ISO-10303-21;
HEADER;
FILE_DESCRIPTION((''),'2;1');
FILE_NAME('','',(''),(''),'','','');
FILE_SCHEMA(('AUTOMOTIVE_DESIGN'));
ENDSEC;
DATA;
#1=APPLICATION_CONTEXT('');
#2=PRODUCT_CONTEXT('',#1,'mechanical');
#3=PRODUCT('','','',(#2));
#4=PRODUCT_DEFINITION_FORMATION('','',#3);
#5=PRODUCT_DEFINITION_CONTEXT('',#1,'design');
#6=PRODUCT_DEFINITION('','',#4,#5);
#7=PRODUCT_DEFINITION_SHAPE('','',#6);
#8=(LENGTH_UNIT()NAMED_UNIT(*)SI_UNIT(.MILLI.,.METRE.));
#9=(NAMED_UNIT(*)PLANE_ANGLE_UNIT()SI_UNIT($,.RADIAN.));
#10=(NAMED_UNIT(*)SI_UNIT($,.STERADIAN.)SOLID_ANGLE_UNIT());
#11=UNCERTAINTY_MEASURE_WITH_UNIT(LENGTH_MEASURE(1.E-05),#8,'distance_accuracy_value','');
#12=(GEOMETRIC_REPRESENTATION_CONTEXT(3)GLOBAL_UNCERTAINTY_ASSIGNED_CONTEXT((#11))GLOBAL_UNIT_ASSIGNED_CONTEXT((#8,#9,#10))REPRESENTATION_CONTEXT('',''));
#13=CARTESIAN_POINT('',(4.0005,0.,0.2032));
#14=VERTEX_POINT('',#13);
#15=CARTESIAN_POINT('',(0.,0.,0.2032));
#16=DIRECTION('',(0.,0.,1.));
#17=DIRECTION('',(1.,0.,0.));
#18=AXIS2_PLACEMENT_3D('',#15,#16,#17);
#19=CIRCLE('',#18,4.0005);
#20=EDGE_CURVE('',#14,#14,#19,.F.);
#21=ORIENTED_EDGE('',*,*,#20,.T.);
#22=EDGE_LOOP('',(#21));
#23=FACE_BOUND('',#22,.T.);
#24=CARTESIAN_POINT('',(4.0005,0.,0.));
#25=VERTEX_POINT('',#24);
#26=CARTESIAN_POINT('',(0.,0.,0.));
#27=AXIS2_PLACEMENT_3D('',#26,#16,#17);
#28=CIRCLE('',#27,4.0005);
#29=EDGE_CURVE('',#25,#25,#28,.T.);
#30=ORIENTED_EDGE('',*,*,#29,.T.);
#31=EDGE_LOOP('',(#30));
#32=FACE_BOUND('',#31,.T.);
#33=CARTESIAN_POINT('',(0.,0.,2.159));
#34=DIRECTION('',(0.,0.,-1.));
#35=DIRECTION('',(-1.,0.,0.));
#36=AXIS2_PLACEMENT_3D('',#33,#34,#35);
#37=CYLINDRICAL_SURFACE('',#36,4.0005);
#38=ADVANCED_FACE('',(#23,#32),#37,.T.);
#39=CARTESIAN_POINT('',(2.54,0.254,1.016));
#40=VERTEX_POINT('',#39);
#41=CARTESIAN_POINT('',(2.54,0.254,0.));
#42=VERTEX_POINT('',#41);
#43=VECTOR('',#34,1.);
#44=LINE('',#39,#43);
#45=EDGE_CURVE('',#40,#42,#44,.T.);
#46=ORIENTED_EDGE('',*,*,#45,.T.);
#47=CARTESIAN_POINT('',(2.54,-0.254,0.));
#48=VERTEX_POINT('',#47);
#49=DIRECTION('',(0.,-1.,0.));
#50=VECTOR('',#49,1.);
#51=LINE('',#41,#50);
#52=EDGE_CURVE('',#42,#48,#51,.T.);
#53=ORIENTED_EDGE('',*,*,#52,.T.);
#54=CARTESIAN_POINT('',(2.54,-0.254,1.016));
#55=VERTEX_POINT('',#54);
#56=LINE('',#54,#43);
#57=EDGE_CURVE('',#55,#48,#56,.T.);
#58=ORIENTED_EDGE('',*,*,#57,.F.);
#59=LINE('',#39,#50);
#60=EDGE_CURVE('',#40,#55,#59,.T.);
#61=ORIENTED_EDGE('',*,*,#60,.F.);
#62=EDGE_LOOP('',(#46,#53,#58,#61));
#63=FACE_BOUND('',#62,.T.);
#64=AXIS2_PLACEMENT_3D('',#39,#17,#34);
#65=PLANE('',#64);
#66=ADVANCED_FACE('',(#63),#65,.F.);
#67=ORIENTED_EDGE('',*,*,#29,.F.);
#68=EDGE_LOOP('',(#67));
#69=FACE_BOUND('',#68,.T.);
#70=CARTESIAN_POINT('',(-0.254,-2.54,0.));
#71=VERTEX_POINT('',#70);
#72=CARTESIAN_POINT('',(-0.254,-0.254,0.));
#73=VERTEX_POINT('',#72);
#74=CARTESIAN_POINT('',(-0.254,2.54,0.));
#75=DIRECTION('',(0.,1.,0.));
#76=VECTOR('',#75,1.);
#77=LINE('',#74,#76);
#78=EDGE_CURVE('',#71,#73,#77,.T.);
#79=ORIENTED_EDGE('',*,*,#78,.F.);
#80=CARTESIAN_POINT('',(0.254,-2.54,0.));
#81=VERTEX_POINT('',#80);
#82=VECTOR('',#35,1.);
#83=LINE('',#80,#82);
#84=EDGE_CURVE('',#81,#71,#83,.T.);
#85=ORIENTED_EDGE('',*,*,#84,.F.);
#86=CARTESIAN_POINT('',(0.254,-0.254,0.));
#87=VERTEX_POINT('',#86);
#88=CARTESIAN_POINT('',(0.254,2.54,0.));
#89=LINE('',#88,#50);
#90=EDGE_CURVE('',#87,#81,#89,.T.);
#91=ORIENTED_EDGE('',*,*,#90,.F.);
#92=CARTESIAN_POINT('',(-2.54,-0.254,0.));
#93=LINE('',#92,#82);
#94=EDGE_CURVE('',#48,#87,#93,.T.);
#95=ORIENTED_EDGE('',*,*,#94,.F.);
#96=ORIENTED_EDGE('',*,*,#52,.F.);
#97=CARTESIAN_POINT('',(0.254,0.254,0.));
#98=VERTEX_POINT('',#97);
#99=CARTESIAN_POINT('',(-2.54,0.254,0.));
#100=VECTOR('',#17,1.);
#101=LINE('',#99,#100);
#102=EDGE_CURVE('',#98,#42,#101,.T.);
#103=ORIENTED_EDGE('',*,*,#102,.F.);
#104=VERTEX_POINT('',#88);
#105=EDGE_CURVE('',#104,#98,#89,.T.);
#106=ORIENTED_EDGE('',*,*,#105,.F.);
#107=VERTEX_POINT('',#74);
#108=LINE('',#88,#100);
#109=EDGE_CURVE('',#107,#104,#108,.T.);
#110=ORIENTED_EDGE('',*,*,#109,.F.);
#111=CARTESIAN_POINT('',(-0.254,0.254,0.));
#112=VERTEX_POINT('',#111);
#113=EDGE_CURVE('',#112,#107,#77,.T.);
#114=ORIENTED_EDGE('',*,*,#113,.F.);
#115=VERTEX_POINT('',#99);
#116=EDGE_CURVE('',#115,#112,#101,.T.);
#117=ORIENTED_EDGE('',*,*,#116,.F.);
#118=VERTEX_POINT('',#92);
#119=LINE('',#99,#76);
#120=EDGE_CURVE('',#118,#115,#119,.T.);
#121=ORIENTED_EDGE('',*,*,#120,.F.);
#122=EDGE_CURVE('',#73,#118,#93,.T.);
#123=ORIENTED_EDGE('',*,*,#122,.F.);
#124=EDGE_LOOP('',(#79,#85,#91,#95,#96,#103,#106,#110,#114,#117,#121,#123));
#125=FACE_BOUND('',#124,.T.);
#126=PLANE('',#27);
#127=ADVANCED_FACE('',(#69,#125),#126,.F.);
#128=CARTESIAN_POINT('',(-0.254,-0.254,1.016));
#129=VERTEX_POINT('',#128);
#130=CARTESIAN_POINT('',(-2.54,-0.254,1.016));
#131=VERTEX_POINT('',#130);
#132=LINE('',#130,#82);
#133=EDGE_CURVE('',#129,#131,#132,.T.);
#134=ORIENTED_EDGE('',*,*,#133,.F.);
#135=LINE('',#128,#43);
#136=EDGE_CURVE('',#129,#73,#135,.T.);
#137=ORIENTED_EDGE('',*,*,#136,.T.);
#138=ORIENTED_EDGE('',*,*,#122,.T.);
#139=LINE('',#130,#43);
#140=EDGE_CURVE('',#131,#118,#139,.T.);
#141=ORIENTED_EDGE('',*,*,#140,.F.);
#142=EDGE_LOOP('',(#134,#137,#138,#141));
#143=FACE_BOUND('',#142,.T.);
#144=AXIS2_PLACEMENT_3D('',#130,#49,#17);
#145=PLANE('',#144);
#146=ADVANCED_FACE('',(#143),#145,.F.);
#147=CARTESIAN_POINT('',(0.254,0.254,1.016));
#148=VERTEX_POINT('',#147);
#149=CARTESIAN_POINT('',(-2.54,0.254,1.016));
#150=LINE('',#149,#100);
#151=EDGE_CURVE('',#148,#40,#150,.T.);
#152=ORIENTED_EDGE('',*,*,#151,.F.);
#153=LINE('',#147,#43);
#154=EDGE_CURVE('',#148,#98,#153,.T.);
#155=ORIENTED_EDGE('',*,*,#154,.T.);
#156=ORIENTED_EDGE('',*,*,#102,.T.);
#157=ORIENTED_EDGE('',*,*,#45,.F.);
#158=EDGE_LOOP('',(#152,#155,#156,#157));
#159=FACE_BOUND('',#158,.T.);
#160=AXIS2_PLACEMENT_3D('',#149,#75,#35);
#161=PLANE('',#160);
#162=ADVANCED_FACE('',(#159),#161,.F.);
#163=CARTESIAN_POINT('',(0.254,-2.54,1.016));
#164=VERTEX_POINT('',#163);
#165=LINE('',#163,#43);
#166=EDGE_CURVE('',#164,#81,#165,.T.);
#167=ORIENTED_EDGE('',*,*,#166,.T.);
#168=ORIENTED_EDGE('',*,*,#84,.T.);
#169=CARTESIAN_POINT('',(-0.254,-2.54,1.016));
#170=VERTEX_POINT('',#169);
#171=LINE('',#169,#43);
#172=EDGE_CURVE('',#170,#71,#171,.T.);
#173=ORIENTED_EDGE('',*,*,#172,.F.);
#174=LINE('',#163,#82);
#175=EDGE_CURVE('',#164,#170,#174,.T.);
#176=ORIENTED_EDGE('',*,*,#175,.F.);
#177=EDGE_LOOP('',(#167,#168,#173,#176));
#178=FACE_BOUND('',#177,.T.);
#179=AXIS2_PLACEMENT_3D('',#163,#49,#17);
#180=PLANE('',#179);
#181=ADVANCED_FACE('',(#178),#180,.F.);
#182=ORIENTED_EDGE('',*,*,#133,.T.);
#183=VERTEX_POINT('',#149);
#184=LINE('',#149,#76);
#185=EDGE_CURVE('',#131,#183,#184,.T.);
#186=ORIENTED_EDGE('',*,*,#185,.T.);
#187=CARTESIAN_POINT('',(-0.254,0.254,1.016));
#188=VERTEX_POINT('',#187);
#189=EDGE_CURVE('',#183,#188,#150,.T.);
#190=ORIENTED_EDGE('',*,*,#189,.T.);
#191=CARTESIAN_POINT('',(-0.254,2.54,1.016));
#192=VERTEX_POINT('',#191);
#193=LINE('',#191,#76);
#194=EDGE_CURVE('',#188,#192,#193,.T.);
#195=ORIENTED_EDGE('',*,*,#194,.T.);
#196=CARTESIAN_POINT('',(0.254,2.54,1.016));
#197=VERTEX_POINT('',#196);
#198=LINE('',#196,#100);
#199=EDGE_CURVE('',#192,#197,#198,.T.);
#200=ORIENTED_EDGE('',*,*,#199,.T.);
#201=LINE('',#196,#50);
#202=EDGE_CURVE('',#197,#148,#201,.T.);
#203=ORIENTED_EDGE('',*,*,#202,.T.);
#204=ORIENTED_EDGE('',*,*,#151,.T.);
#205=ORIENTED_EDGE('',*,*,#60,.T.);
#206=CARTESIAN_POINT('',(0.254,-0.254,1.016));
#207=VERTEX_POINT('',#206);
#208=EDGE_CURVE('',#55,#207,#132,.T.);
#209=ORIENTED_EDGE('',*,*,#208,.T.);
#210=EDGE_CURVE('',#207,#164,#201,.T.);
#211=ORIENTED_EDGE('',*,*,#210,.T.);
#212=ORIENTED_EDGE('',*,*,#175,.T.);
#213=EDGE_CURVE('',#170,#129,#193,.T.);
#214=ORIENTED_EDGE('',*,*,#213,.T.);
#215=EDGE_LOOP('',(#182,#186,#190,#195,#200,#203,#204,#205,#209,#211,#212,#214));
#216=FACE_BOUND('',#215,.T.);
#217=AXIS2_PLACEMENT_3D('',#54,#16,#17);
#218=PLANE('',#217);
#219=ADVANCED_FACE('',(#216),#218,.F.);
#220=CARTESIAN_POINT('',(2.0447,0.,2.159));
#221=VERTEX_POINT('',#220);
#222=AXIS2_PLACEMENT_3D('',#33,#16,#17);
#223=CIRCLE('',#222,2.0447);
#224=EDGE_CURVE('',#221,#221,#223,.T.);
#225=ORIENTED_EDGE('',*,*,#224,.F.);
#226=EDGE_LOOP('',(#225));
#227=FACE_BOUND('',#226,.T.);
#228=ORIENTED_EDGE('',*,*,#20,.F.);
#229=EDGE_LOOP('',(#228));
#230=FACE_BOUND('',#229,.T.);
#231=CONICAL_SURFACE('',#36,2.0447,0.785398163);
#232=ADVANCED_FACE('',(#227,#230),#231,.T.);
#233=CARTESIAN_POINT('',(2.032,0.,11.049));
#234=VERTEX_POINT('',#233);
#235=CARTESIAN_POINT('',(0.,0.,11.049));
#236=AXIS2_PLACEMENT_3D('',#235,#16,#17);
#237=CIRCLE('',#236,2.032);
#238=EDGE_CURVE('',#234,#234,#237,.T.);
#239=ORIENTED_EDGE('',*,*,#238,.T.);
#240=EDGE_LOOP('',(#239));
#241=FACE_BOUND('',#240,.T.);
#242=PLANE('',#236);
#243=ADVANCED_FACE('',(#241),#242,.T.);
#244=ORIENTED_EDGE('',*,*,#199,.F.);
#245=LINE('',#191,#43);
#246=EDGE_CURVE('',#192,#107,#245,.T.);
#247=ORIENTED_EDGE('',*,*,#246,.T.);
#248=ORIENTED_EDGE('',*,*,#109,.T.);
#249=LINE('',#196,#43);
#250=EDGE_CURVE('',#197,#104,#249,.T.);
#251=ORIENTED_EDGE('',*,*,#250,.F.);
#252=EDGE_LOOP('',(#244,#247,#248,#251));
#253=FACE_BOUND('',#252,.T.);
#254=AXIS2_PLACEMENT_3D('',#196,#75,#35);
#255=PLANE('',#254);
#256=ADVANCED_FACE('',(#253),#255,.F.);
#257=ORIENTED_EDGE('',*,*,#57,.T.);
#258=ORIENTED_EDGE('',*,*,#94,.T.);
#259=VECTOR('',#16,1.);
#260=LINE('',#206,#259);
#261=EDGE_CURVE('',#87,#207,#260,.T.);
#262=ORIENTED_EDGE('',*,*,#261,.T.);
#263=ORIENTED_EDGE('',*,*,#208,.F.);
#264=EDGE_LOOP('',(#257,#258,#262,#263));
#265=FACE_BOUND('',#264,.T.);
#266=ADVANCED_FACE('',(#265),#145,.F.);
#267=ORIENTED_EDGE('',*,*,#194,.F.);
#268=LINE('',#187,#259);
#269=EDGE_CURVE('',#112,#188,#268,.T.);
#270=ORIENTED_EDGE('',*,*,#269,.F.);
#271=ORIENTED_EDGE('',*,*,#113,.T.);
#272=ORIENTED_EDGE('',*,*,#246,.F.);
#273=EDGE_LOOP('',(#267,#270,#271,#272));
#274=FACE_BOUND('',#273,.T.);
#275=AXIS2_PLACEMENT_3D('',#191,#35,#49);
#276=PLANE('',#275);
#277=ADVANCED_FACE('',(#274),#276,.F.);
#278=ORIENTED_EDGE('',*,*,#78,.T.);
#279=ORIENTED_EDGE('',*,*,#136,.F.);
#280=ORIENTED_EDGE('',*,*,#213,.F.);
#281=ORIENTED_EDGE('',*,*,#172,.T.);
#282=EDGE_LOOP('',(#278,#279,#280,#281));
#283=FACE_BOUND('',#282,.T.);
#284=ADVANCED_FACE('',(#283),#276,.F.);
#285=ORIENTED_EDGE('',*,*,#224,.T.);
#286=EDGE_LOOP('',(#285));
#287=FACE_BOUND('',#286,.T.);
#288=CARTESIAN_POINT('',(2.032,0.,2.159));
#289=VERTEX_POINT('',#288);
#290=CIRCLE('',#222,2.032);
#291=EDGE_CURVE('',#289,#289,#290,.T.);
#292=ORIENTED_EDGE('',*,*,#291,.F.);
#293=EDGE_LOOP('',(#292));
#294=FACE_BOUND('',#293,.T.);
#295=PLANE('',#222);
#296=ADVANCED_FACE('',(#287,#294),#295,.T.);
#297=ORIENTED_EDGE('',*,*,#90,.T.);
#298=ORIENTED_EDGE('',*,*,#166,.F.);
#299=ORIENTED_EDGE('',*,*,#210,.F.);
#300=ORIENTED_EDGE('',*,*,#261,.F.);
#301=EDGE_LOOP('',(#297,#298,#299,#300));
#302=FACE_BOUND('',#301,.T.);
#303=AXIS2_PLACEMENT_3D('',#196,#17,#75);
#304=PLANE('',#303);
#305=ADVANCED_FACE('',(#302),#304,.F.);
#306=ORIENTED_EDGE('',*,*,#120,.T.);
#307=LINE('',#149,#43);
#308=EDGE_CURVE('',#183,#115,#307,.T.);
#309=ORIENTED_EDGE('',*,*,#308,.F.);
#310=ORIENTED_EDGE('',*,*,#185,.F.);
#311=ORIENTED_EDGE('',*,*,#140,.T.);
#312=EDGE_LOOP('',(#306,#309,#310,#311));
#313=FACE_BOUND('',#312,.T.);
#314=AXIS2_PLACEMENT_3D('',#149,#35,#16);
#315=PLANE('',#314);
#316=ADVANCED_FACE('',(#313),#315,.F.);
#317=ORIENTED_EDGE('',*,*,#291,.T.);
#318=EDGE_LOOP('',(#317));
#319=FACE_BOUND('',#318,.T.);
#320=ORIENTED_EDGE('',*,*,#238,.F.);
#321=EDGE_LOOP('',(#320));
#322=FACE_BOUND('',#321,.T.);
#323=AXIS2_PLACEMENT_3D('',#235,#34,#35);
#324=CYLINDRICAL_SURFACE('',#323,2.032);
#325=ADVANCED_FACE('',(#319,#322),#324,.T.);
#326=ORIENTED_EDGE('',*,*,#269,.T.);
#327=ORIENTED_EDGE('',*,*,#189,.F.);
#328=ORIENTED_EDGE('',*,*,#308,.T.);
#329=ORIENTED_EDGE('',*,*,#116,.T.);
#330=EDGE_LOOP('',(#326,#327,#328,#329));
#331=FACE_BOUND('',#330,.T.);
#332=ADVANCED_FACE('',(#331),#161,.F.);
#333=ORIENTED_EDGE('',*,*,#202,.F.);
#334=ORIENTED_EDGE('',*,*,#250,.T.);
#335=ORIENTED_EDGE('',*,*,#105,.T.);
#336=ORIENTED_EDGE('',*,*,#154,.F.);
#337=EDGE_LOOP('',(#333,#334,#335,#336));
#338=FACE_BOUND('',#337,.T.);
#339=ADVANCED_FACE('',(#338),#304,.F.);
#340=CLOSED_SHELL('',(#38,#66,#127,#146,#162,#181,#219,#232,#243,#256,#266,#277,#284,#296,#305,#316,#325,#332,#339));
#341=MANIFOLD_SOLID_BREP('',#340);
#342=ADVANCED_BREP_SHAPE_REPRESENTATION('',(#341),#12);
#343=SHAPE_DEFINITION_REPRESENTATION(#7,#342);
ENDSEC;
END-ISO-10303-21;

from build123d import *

# Parameters (mm, degrees)
SKETCH1_R         = 4.0005
EXTRUDE1_DEPTH    = 2.159
SKETCH2_R         = 2.032
EXTRUDE2_DEPTH    = 8.89
SKETCH3_W         = 5.08
SKETCH3_H         = 0.508
EXTRUDE3_DEPTH    = 1.016
CIRPATTERN1_COUNT = 2
CIRPATTERN1_ANGLE = 90
CHAMFER1_SIZE     = 1.9558


with BuildPart() as part:
    # Sketch1 → Extrude1 (new body)
    with BuildSketch(Plane.XY):
        Circle(SKETCH1_R)
    extrude(amount=EXTRUDE1_DEPTH)

    # Sketch2 → Extrude2 (add)
    with BuildSketch(Plane.XY.offset(2.159)):
        Circle(SKETCH2_R)
    extrude(amount=EXTRUDE2_DEPTH)

    # Sketch3 → Extrude3 (cut)
    with BuildSketch(Plane(origin=(0, 0, 0), x_dir=(-1, 0, 0), z_dir=(0, 0, -1))):
        Rectangle(SKETCH3_W, SKETCH3_H)
    extrude3 = extrude(amount=-EXTRUDE3_DEPTH, mode=Mode.SUBTRACT)

    # CirPattern1: Extrude3 ×2 about axis
    cirpattern1_axis = Axis((0, 0, 0), (0, 0, -1))
    for i in range(1, CIRPATTERN1_COUNT):
        add(extrude3.rotate(cirpattern1_axis, i * CIRPATTERN1_ANGLE / (CIRPATTERN1_COUNT - 1)), mode=Mode.SUBTRACT)

    # Chamfer1
    chamfer1_edges = [part.edges().sort_by_distance(p)[0] for p in [
        (-4.0005, 0, 2.159),
    ]]
    chamfer(chamfer1_edges, length=CHAMFER1_SIZE)


solid = part.part
